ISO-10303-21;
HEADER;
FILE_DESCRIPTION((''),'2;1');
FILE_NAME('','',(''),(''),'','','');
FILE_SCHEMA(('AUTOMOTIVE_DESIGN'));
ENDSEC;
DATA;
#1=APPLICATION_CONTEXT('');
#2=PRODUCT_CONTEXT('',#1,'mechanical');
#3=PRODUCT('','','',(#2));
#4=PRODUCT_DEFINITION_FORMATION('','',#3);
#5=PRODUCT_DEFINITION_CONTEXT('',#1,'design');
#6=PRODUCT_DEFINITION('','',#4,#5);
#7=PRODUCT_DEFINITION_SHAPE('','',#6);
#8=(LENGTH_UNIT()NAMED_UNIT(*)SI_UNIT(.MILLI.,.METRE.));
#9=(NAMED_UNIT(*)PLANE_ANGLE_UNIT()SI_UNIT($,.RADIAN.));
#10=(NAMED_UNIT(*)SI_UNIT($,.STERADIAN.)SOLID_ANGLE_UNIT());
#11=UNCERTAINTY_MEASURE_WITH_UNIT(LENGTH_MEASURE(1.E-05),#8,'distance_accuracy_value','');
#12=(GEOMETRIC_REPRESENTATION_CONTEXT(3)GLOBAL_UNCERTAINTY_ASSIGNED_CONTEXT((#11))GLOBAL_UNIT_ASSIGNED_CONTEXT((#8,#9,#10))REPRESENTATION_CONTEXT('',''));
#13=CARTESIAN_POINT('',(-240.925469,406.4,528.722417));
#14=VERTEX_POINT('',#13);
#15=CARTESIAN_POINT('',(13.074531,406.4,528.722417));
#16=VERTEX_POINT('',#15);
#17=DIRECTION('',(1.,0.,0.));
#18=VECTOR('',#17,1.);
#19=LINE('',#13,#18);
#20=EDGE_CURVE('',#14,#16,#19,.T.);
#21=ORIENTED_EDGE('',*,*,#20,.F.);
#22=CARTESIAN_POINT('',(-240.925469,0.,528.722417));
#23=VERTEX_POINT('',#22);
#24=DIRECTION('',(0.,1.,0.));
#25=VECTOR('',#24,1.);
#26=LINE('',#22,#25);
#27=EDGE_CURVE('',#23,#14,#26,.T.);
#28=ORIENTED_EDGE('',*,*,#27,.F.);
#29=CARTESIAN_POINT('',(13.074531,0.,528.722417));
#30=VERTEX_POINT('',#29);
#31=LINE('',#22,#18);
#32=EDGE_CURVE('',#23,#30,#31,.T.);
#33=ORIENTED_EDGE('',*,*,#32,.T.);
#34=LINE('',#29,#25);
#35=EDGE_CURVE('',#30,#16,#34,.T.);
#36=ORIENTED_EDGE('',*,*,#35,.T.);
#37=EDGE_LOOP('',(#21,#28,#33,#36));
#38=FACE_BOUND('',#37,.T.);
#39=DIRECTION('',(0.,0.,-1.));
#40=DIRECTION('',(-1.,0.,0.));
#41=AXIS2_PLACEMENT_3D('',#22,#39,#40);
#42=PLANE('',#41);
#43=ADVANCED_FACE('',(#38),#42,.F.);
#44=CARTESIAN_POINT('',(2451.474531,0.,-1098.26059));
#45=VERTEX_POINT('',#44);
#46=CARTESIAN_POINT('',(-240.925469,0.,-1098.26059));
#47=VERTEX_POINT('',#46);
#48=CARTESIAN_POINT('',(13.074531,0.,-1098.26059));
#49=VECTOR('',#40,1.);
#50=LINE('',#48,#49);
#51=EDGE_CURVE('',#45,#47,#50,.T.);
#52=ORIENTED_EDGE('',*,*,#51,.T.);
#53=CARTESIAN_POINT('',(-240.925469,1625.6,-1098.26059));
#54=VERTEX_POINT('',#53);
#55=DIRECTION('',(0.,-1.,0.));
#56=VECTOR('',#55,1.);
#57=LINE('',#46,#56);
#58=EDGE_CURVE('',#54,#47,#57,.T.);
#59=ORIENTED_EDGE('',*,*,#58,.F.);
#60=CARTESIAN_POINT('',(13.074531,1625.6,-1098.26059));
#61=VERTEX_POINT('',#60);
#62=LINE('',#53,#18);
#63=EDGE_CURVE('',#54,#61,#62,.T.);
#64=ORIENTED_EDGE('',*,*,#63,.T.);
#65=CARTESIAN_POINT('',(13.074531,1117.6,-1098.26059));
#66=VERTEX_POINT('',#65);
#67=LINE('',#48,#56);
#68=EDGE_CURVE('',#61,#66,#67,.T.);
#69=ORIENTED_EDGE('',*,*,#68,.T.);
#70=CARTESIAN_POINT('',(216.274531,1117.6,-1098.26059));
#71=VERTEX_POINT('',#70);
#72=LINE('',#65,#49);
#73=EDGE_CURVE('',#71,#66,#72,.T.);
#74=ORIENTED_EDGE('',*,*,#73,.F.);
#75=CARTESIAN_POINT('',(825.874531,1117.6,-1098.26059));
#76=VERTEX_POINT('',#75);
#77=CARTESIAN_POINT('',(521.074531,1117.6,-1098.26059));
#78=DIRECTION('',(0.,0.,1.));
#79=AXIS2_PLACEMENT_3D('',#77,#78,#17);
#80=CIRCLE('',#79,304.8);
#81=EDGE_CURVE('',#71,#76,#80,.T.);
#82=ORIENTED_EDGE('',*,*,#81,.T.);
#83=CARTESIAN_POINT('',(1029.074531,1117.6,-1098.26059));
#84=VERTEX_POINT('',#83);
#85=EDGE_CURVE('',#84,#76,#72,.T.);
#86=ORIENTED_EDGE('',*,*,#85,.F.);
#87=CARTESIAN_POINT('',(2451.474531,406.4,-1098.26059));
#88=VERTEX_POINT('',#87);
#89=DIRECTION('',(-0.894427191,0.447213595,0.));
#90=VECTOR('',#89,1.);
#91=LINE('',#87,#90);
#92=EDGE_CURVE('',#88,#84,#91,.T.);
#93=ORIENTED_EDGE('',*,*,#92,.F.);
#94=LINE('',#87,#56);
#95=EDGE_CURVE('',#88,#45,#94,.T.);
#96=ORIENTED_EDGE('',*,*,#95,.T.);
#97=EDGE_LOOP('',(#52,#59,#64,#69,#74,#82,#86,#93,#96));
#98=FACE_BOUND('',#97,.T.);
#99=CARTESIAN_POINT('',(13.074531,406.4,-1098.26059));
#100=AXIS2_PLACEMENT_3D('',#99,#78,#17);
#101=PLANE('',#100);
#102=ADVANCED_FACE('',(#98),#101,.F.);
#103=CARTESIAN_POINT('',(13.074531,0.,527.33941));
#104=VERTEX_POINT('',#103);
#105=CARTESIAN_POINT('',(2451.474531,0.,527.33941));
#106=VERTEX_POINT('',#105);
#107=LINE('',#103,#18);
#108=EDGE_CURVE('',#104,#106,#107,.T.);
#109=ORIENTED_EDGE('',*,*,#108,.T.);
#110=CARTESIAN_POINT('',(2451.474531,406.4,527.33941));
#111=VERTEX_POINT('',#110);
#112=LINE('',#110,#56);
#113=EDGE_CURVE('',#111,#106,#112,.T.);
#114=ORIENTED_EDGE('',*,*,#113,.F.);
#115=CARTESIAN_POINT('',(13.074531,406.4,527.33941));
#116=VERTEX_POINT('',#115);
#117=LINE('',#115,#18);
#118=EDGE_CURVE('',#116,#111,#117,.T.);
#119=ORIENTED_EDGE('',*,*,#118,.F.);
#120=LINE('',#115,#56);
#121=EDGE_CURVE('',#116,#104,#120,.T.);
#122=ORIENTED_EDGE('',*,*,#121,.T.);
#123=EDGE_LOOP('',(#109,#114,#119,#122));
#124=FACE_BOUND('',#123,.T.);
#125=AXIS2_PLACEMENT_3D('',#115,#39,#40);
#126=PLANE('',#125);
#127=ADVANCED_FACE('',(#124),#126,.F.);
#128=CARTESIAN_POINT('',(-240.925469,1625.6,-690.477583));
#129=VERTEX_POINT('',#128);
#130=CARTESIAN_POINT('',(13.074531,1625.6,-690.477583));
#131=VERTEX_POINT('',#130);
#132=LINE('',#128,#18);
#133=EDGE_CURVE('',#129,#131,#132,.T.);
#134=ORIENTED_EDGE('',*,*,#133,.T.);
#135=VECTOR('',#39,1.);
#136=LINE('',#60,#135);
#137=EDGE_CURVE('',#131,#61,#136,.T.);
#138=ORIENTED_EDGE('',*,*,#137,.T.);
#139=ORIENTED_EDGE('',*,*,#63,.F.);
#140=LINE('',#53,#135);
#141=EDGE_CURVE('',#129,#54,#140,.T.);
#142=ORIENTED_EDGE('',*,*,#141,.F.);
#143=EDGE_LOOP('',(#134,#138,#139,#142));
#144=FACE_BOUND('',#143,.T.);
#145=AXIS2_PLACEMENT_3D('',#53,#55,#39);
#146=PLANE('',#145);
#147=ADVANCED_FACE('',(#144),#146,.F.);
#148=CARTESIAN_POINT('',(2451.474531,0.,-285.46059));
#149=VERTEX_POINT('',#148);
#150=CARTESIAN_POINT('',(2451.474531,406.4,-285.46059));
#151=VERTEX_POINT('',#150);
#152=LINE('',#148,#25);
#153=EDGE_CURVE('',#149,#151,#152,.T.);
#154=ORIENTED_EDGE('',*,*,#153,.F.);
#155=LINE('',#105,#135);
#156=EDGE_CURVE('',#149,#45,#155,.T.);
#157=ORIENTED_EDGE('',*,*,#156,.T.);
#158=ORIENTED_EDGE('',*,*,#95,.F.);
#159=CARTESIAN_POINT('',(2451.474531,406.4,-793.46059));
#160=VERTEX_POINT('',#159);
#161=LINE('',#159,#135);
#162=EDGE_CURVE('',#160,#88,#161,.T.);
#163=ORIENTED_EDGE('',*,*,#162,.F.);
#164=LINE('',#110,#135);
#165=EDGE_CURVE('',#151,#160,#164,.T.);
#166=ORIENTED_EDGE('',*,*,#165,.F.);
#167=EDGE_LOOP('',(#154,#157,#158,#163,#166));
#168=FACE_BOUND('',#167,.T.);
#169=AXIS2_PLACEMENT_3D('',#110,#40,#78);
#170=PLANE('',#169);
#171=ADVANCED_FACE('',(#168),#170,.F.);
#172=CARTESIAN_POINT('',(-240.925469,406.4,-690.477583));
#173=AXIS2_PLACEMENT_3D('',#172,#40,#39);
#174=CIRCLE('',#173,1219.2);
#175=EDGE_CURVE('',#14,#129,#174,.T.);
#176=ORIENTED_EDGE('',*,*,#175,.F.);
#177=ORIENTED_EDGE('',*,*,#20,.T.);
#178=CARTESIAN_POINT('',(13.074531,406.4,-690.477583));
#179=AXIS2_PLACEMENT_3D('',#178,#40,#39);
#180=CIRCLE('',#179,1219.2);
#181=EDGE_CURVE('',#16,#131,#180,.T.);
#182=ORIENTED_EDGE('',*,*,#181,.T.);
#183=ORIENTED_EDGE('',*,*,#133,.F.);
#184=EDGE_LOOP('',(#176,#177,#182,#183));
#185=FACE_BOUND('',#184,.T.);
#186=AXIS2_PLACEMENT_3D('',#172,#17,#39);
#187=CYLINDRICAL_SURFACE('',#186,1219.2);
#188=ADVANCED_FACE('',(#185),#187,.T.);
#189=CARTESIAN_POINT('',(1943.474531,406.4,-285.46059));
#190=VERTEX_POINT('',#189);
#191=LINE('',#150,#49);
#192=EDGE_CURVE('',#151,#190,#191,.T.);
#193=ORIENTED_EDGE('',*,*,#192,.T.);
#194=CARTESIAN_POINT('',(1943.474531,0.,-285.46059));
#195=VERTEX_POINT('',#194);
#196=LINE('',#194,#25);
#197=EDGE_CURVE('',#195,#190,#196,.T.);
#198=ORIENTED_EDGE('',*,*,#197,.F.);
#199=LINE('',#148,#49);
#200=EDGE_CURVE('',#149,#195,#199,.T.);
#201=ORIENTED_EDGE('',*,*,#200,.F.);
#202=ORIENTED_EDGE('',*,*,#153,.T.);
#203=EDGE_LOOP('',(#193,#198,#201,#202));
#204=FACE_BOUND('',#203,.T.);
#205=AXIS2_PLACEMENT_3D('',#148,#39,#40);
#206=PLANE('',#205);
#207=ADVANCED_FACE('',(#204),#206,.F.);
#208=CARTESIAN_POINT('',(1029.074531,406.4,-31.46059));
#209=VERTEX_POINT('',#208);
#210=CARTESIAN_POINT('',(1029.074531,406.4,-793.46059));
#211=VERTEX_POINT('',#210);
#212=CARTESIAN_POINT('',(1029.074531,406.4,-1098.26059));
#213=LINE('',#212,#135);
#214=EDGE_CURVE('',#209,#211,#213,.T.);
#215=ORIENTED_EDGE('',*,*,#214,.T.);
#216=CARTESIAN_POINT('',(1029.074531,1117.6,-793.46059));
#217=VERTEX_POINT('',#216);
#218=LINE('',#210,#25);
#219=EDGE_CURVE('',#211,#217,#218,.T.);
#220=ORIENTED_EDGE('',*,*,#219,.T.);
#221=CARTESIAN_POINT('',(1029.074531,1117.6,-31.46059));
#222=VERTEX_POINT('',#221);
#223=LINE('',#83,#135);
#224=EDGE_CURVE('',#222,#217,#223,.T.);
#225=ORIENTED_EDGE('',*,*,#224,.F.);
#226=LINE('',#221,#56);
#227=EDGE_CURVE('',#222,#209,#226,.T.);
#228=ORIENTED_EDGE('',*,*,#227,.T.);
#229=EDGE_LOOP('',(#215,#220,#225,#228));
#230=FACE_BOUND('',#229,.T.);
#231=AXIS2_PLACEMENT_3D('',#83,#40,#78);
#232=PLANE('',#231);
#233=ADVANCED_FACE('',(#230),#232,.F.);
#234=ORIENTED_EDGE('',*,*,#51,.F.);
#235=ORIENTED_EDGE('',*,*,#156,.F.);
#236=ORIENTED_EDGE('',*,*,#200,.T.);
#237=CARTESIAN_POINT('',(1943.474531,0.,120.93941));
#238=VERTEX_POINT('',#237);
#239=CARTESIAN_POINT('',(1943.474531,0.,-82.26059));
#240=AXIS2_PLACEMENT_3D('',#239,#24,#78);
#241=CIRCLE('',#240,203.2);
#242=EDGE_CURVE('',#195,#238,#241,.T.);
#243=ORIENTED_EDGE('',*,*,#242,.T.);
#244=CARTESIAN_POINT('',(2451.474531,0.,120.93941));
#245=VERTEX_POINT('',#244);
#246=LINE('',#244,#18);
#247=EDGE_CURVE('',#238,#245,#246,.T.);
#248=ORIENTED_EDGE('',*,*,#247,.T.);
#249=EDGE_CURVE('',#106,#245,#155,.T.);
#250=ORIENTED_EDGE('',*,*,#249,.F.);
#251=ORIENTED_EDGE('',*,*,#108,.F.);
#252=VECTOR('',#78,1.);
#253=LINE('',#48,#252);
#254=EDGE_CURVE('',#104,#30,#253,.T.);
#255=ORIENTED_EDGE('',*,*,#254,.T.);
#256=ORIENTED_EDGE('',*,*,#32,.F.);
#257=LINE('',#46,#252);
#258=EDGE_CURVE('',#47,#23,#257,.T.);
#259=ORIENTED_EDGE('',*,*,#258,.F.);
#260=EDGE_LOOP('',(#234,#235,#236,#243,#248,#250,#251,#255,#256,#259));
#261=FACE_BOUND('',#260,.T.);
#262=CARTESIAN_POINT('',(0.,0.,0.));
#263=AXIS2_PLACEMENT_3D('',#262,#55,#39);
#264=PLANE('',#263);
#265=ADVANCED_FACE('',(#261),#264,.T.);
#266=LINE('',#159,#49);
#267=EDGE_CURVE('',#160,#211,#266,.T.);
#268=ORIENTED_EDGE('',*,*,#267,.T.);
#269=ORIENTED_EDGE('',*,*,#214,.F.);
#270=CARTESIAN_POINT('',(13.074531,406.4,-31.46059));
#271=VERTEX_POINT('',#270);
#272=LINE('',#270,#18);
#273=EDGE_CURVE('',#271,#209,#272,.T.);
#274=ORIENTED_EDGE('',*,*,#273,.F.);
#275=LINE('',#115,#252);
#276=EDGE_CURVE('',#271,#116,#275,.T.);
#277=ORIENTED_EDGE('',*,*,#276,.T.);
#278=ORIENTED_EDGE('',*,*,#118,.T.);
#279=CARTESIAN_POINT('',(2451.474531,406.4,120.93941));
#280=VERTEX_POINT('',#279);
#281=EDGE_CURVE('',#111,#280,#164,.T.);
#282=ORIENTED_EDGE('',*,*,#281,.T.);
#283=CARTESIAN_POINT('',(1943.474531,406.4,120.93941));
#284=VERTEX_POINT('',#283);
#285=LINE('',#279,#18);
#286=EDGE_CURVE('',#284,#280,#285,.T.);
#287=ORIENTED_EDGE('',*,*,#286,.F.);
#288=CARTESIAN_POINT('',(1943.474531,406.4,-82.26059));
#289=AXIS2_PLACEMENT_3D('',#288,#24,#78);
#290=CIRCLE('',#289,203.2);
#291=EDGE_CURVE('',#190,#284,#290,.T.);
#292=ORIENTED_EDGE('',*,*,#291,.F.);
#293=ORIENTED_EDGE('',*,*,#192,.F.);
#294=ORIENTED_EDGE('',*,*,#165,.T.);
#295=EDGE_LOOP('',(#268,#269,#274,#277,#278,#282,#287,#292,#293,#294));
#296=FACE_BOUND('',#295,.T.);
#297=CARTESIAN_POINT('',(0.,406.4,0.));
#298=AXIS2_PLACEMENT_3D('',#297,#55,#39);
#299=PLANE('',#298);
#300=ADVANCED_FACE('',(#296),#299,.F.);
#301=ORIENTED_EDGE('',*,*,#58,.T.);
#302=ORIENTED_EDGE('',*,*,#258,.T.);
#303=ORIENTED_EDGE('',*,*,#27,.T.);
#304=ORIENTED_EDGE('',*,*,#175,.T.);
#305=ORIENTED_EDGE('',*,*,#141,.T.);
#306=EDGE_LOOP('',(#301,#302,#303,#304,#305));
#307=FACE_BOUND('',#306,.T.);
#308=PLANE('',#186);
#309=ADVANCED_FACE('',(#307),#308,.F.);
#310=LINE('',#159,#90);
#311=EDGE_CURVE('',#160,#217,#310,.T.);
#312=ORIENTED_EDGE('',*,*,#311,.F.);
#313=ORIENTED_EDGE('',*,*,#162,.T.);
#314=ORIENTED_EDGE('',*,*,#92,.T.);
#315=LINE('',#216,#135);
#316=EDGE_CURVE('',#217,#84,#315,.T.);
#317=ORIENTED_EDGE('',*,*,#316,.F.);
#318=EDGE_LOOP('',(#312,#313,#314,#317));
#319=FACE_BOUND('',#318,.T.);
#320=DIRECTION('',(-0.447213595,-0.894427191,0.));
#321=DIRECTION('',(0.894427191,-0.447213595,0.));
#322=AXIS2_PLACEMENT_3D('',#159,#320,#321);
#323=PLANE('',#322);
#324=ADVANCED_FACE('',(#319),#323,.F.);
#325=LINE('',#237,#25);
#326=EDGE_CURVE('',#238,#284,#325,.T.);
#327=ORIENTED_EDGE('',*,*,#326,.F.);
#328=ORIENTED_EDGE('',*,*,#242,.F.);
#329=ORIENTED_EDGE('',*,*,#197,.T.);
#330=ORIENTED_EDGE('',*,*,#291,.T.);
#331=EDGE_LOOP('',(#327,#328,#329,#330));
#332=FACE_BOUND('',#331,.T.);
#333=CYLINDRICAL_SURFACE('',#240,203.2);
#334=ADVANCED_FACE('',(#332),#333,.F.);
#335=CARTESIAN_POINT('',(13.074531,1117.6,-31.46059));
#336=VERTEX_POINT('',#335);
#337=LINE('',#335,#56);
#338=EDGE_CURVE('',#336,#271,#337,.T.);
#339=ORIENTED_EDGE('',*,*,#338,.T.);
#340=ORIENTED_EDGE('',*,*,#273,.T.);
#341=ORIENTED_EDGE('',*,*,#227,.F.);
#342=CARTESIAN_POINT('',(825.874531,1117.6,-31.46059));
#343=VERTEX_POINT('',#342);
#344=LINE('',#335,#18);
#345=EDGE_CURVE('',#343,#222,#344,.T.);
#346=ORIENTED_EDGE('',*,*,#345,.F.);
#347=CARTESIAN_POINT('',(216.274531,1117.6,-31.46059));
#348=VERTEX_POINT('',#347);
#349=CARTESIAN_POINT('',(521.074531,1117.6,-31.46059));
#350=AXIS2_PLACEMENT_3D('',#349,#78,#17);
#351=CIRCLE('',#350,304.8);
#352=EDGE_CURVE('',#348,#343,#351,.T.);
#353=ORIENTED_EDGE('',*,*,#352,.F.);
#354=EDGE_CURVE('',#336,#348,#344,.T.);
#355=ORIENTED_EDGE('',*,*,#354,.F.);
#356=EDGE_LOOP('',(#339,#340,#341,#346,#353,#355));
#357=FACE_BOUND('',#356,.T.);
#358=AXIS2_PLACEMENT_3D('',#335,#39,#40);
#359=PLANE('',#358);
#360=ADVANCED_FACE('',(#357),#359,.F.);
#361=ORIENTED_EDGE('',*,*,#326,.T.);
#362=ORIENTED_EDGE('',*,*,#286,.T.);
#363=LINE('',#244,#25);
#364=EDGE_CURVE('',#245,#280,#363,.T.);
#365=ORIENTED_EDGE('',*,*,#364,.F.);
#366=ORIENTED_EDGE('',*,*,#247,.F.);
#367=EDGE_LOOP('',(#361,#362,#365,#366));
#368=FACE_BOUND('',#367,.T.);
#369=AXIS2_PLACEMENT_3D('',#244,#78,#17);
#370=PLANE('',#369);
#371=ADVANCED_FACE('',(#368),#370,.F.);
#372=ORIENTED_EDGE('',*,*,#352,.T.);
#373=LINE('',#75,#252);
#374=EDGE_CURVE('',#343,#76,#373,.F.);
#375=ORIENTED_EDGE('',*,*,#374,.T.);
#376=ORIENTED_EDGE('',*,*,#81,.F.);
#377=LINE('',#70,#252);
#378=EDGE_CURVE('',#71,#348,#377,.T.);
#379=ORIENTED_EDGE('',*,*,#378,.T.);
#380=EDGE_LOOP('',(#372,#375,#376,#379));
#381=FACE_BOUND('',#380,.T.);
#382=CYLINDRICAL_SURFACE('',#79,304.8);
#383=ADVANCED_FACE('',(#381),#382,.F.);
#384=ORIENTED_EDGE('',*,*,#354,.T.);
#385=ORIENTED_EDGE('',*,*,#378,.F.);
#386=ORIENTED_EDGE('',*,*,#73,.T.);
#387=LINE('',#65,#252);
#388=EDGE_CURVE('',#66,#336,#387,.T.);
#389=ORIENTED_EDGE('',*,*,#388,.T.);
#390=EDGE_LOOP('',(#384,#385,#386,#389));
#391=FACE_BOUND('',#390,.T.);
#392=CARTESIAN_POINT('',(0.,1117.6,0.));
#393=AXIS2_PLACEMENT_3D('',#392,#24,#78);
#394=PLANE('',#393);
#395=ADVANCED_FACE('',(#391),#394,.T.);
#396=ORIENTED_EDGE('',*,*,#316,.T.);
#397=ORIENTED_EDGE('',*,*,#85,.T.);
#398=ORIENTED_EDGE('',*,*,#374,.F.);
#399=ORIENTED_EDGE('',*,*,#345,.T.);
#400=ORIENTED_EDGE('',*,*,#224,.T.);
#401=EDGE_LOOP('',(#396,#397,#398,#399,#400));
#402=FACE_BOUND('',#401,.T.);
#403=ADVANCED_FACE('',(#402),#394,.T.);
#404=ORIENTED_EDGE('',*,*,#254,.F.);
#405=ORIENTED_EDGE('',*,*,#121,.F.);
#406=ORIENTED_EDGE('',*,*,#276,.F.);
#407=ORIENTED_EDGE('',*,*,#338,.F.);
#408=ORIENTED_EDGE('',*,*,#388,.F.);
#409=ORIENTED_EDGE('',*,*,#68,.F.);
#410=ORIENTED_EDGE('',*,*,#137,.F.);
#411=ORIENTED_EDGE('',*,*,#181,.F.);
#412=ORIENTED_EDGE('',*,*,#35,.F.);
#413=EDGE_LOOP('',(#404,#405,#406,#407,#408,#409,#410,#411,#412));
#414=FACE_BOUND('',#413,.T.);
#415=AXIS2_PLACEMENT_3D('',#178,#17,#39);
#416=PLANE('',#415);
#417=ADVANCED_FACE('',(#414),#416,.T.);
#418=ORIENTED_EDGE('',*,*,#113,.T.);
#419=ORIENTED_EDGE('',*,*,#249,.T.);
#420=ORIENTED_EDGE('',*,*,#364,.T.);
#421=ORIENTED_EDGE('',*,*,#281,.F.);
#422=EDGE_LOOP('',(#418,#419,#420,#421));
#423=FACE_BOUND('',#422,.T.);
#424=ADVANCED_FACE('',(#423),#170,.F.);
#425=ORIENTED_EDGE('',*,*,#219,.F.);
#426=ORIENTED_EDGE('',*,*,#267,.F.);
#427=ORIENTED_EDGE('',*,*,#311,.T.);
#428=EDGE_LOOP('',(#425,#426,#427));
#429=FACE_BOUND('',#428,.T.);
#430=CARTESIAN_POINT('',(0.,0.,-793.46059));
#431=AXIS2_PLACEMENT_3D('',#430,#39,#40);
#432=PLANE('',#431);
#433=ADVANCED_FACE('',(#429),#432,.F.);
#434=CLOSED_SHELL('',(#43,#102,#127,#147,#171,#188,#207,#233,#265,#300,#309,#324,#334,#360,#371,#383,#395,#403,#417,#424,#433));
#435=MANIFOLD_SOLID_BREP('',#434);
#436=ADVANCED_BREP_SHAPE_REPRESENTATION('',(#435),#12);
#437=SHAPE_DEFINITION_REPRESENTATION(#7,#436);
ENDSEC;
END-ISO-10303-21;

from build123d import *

# Parameters (mm, degrees)
SKETCH2_W           = 2438.4
SKETCH2_H           = 1625.6
BOSS_EXTRUDE1_DEPTH = 406.4
CUT_EXTRUDE1_DEPTH  = 2717.81148747
BOSS_EXTRUDE3_DEPTH = 254
SKETCH8_W           = 1016
SKETCH8_H           = 1066.8
BOSS_EXTRUDE4_DEPTH = 711.2
SKETCH9_R           = 304.8
CUT_EXTRUDE3_DEPTH  = 3129.955892197
BOSS_EXTRUDE6_DEPTH = 304.8


with BuildPart() as part:
    # Sketch2 → Boss-Extrude1 (new body)
    with BuildSketch(Plane(origin=(0, 0, 0), x_dir=(1, 0, 0), z_dir=(0, 1, 0))):
        with Locations((1232.274530831, 285.460589812)):
            Rectangle(SKETCH2_W, SKETCH2_H)
    extrude(amount=BOSS_EXTRUDE1_DEPTH)

    # Sketch4 → Cut-Extrude1 (cut, through all)
    with BuildSketch(Plane(origin=(0, 406.4, 0), x_dir=(1, 0, 0), z_dir=(0, 1, 0))):
        with BuildLine():
            Line((2451.474530831, -120.939410188), (1943.474530831, -120.939410188))
            ThreePointArc((1943.474530831, -120.939410188), (1740.274530831, 82.260589812), (1943.474530831, 285.460589812))
            Line((1943.474530831, 285.460589812), (2451.474530831, 285.460589812))
            ThreePointArc((2451.474530831, 285.460589812), (2654.674530831, 82.260589812), (2451.474530831, -120.939410188))
        make_face()
    extrude(amount=-CUT_EXTRUDE1_DEPTH, mode=Mode.SUBTRACT)

    # Sketch6 → Boss-Extrude3 (add)
    with BuildSketch(Plane.ZY.offset(-13.074530831)):
        with BuildLine():
            Line((-1098.260589812, 0), (528.72241694, 0))
            Line((528.72241694, 0), (528.72241694, 406.4))
            ThreePointArc((528.72241694, 406.4), (171.627004563, 1268.504587623), (-690.47758306, 1625.6))
            Line((-690.47758306, 1625.6), (-1098.260589812, 1625.6))
            Line((-1098.260589812, 1625.6), (-1098.260589812, 0))
        make_face()
    extrude(amount=BOSS_EXTRUDE3_DEPTH)

    # Sketch8 → Boss-Extrude4 (add)
    with BuildSketch(Plane(origin=(0, 406.4, 0), x_dir=(1, 0, 0), z_dir=(0, 1, 0))):
        with Locations((521.074530831, 564.860589812)):
            Rectangle(SKETCH8_W, SKETCH8_H)
    extrude(amount=BOSS_EXTRUDE4_DEPTH)

    # Sketch9 → Cut-Extrude3 (cut, through all)
    with BuildSketch(Plane.XY.offset(-31.460589812)):
        with Locations((521.074530831, 1117.6)):
            Circle(SKETCH9_R)
    extrude(amount=-CUT_EXTRUDE3_DEPTH, mode=Mode.SUBTRACT)

    # Sketch12 → Boss-Extrude6 (add)
    with BuildSketch(Plane(origin=(0, 0, -1098.260589812), x_dir=(-1, 0, 0), z_dir=(0, 0, -1))):
        Polygon((-2451.474530831, 406.4), (-1029.074530831, 1117.6), (-1029.074530831, 406.4), align=None)
    extrude(amount=-BOSS_EXTRUDE6_DEPTH)


solid = part.part
